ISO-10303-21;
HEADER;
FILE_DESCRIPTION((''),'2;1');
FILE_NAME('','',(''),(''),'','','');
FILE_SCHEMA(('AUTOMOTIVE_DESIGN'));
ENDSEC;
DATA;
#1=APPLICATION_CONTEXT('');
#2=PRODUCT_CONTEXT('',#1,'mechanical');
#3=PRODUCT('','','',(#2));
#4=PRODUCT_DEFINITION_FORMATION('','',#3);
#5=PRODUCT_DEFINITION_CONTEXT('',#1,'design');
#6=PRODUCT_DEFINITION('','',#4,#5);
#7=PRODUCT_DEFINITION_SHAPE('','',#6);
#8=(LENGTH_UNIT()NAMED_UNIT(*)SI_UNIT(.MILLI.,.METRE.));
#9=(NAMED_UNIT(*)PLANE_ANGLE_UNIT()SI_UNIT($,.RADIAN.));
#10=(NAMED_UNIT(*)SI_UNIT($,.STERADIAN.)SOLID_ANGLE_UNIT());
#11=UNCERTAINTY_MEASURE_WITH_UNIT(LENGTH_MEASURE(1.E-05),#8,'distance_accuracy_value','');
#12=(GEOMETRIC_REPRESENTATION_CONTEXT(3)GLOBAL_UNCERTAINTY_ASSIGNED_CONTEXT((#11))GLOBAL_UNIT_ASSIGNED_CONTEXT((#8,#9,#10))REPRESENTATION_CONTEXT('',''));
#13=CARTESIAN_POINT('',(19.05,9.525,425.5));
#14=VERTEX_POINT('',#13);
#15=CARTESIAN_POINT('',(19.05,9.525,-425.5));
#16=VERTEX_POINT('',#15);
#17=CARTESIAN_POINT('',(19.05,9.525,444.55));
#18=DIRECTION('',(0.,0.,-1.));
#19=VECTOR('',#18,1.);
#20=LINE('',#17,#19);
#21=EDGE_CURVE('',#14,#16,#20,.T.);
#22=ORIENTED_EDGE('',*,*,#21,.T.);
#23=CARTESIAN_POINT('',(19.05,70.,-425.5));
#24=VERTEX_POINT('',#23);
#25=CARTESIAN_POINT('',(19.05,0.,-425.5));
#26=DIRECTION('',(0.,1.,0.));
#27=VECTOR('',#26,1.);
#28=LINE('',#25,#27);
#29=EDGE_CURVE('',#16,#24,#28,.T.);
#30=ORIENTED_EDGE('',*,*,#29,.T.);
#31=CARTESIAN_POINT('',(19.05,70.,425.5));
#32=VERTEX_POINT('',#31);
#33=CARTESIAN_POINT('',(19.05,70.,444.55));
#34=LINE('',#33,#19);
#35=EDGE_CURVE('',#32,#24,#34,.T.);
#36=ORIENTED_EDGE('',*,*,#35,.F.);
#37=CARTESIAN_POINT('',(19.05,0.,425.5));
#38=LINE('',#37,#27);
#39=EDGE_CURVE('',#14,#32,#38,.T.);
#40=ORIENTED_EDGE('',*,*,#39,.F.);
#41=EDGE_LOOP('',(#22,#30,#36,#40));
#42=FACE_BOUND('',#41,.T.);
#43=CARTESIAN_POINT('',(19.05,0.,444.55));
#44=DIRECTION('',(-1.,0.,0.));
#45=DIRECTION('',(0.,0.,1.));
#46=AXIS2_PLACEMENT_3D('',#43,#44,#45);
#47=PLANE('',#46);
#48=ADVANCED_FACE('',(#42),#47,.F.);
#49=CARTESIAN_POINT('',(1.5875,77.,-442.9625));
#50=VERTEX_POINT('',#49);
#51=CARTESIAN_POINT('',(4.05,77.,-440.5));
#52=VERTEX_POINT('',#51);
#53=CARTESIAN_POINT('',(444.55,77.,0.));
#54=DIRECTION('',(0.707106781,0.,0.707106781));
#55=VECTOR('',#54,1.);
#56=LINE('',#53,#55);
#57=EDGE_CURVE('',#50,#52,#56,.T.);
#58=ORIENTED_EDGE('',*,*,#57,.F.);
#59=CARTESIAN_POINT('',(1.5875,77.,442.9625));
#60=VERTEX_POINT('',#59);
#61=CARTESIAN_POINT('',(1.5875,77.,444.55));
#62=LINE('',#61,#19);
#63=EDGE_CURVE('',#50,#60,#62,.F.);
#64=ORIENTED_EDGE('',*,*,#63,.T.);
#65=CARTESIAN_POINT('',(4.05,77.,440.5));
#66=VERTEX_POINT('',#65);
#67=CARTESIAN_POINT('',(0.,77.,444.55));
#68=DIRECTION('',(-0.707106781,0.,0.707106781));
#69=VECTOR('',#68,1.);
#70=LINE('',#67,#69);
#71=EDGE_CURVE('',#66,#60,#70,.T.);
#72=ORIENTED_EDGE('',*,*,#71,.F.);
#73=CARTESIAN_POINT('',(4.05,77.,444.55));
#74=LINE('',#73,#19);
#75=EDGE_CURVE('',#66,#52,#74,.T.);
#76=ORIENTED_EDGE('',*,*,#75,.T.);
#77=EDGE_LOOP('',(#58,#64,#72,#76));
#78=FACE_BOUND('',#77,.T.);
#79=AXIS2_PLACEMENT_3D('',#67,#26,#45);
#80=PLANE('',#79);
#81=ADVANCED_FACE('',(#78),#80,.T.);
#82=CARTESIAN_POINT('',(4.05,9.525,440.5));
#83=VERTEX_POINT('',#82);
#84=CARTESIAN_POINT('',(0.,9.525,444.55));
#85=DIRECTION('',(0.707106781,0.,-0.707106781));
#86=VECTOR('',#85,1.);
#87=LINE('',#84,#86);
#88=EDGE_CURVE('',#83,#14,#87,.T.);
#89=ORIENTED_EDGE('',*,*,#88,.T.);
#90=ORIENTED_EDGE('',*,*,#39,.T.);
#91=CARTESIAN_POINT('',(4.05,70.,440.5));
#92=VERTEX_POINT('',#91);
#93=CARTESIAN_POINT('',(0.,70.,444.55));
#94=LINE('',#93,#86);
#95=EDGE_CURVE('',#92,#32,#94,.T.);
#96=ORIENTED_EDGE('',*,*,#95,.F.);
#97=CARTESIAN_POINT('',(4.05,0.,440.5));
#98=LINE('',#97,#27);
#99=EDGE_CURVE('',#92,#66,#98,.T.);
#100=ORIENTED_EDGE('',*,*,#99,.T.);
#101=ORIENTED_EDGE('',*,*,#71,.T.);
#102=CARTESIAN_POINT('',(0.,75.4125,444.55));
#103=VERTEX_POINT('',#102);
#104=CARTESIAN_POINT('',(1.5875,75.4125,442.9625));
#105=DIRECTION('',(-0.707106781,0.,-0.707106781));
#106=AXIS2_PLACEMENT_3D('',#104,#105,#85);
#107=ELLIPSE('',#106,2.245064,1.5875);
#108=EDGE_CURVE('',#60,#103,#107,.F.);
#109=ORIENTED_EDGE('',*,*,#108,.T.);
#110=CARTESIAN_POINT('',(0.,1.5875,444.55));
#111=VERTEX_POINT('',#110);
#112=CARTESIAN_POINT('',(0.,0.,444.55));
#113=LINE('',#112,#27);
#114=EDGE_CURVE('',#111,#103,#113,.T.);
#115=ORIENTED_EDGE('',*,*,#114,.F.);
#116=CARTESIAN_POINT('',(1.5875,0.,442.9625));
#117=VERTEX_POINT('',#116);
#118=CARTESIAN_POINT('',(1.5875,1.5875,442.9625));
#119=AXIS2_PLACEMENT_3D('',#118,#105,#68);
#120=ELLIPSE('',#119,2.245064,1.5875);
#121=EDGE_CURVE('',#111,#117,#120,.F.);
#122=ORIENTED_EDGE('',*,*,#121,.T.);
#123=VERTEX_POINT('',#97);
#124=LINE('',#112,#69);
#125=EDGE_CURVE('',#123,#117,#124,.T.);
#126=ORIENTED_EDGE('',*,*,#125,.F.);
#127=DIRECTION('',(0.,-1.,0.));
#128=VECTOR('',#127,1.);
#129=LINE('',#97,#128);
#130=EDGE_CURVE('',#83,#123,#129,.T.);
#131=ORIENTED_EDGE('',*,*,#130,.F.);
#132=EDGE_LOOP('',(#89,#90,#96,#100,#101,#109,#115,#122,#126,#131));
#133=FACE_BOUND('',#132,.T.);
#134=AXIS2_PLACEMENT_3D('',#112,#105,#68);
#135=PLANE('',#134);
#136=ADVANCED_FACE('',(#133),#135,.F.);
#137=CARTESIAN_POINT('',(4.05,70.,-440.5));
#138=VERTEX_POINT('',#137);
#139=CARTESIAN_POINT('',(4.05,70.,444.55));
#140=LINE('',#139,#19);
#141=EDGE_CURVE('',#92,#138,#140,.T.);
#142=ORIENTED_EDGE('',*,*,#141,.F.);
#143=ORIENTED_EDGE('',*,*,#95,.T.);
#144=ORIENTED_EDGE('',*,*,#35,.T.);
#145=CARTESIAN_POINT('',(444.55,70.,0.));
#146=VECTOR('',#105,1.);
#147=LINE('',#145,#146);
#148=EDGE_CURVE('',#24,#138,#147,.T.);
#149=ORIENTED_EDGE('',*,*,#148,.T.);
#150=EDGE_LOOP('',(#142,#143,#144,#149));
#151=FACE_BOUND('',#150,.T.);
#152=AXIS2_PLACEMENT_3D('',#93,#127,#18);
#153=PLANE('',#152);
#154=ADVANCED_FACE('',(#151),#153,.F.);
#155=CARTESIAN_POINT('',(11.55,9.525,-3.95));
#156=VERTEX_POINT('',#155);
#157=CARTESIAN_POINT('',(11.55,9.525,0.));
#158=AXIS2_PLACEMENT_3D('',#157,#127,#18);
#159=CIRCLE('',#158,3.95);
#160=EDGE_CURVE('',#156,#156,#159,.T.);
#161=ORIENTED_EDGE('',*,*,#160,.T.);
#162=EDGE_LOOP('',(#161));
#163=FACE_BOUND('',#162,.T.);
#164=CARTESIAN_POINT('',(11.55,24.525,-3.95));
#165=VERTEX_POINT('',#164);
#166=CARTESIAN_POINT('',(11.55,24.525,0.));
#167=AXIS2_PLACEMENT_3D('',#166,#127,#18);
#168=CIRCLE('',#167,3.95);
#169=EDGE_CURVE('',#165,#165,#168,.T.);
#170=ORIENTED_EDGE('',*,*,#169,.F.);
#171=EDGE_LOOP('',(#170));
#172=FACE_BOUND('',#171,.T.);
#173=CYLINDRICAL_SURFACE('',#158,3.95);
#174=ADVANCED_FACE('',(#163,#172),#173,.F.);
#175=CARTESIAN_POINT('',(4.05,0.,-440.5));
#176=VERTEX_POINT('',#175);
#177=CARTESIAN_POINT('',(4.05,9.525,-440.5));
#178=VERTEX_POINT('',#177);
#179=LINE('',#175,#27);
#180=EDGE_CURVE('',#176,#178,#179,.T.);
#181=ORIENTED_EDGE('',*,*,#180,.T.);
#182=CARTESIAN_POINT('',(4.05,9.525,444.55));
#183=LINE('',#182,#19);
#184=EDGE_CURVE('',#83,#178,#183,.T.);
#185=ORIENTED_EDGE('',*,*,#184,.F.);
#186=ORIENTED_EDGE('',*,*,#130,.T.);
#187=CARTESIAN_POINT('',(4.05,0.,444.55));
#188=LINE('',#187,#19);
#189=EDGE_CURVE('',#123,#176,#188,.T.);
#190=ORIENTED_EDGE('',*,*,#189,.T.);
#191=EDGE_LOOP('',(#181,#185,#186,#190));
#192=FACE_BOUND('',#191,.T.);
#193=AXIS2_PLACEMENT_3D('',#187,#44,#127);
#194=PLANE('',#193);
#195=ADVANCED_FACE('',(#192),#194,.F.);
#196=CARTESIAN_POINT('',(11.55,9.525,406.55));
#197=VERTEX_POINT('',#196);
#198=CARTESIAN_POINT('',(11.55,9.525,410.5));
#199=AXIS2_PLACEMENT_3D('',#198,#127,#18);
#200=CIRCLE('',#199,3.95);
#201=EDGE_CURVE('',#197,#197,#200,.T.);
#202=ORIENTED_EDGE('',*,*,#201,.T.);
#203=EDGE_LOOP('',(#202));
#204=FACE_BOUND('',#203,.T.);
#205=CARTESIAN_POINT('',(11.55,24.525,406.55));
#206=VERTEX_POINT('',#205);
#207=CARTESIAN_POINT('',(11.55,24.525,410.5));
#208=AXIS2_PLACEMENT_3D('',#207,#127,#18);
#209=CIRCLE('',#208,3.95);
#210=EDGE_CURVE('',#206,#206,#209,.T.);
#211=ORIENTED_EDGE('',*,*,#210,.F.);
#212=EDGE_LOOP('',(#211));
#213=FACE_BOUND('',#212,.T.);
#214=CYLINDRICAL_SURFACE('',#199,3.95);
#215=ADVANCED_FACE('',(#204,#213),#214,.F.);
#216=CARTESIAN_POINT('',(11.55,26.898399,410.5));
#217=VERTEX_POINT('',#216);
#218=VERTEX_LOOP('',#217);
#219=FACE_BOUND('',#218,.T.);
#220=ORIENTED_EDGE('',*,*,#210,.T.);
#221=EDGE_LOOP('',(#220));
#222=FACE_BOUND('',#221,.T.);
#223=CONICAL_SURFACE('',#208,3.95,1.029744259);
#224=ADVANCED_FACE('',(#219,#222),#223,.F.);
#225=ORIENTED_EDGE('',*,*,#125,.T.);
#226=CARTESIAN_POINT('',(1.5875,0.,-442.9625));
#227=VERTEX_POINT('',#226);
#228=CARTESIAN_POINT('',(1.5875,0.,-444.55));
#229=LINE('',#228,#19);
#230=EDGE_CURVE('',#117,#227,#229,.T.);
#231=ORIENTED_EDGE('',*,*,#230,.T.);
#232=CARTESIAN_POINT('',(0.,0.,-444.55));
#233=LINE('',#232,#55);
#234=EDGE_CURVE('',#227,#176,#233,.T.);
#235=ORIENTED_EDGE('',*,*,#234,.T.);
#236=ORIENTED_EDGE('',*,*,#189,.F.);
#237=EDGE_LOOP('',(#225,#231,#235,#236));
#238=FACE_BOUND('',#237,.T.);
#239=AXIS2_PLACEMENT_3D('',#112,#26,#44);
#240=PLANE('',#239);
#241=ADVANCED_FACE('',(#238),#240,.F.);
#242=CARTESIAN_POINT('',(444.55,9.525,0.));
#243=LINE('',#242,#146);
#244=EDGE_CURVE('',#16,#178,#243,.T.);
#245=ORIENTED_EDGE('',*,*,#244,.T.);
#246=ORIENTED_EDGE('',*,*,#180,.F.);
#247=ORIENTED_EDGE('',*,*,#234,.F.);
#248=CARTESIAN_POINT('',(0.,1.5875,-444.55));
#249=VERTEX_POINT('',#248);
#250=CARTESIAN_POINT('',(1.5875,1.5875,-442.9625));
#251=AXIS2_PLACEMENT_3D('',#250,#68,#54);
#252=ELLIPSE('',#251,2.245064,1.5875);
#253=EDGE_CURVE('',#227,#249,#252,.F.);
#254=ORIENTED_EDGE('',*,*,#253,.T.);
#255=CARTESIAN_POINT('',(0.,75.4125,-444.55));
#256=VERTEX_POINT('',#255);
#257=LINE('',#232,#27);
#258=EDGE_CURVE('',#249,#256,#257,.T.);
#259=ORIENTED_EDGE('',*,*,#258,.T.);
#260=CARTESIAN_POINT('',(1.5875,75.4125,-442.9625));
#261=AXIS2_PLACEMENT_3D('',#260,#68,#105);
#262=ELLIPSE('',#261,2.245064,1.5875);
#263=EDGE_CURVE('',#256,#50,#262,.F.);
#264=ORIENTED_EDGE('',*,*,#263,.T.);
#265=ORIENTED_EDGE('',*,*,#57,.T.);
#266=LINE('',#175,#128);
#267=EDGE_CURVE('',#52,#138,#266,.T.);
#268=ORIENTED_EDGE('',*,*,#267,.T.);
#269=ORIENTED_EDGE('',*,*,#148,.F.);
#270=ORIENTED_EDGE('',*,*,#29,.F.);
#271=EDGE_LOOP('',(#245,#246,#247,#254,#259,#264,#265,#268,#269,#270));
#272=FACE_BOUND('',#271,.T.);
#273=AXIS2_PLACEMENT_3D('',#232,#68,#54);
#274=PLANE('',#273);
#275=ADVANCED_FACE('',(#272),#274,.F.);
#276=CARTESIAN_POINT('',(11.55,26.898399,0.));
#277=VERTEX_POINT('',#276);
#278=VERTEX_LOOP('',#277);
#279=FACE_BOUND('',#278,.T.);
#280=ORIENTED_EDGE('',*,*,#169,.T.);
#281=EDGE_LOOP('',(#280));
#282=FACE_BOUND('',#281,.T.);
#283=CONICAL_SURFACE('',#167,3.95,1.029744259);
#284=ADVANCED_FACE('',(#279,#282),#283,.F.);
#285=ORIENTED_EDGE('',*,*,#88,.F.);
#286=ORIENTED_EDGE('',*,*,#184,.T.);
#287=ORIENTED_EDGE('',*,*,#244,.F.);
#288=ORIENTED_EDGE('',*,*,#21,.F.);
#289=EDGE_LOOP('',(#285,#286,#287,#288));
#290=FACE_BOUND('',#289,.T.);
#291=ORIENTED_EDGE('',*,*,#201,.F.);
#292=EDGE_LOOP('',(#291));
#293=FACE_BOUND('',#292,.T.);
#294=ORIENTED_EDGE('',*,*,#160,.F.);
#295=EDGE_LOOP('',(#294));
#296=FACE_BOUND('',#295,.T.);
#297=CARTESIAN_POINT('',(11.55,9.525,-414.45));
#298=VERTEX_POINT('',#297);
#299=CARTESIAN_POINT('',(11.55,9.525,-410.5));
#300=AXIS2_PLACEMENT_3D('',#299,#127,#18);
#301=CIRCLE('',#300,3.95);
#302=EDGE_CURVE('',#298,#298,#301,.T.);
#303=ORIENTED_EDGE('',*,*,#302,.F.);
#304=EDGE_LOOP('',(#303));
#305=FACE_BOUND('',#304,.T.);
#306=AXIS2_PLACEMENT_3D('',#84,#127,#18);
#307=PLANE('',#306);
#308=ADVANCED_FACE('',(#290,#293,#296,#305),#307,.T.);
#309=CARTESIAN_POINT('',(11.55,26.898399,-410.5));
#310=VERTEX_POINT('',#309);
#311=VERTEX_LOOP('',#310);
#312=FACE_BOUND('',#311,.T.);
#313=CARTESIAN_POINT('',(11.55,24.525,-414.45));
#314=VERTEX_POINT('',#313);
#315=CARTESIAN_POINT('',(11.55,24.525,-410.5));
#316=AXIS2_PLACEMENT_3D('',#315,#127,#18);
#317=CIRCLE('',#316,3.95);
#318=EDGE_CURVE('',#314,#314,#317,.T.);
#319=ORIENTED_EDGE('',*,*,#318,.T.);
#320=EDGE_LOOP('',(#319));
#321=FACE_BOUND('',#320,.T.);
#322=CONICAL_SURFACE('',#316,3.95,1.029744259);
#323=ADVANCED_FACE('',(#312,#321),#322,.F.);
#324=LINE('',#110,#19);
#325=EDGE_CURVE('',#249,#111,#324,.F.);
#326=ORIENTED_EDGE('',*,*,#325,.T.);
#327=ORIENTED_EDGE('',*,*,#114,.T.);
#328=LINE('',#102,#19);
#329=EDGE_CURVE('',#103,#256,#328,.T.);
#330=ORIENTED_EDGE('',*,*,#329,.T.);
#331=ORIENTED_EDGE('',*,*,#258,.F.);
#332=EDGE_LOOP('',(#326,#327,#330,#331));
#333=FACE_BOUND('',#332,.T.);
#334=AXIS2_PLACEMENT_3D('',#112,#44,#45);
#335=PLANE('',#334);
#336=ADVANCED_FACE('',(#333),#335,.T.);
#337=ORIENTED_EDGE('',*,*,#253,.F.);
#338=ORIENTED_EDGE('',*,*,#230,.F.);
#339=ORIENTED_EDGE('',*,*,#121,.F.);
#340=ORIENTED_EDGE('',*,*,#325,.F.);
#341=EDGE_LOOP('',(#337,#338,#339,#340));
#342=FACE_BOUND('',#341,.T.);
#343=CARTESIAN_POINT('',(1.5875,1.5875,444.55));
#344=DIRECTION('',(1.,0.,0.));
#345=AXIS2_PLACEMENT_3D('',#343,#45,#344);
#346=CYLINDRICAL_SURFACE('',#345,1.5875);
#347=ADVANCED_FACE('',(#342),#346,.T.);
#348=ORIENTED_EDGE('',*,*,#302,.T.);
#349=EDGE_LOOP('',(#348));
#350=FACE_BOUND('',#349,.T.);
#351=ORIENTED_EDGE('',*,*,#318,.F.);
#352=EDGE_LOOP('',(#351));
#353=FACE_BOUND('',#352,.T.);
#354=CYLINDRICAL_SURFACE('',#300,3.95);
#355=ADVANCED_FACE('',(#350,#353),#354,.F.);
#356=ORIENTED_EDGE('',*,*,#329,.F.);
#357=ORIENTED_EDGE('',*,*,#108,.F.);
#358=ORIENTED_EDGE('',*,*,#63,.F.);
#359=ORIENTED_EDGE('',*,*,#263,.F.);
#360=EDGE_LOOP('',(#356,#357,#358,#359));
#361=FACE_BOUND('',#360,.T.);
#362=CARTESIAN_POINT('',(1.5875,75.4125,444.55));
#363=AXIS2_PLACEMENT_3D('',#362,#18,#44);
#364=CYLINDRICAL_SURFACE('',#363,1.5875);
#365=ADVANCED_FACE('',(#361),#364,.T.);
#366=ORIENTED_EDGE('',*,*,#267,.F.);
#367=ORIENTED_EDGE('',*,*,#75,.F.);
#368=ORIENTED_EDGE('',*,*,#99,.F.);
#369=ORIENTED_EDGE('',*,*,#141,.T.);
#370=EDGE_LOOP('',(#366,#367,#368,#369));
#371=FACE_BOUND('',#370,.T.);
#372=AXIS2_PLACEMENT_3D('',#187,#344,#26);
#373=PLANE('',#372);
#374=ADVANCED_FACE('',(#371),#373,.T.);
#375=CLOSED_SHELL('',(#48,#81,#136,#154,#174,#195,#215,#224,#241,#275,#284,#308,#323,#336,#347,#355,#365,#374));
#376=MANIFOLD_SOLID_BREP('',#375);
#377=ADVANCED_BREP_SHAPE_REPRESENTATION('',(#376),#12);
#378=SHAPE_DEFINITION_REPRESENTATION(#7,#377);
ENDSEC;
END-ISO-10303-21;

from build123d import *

# Parameters (mm, degrees)
BOSS_EXTRUDE1_DEPTH            = 444.55
FILLET1_R                      = 1.5875
CUT_EXTRUDE1_DEPTH             = 452.571262372
CUT_EXTRUDE1_DEPTH_BACK        = 452.571262372
F_7_9_7_9_DIAMETER_HOLE1_D     = 7.9
F_7_9_7_9_DIAMETER_HOLE1_DEPTH = 15
F_7_9_7_9_DIAMETER_HOLE1_TIP   = 2.373399445


with BuildPart() as part:
    # Sketch1 → Boss-Extrude1 (new, symmetric)
    with BuildSketch(Plane.XY):
        Polygon((0, 77), (0, 0), (4.05, 0), (4.05, 9.525), (19.05, 9.525), (19.05, 70), (4.05, 70), (4.05, 77), align=None)
    extrude(amount=BOSS_EXTRUDE1_DEPTH, both=True)

    # Fillet1
    fillet1_edges = [part.edges().sort_by_distance(p)[0] for p in [
        (0, 0, 0),
        (0, 77, 0),
    ]]
    fillet(fillet1_edges, radius=FILLET1_R)

    # Sketch2 → Cut-Extrude1 (cut, two sides: drawn at the far end of the back side and taken through both)
    with BuildSketch(Plane(origin=(0, 77, 0), x_dir=(1, 0, 0), z_dir=(0, 1, 0)).offset(-CUT_EXTRUDE1_DEPTH_BACK)):
        Polygon((0, -444.55), (19.05, -425.5), (19.05, -444.55), align=None)
        Polygon((0, 444.55), (19.05, 425.5), (19.05, 444.55), align=None)
    extrude(amount=CUT_EXTRUDE1_DEPTH + CUT_EXTRUDE1_DEPTH_BACK, mode=Mode.SUBTRACT)

    # Ø7.9 (7.9) Diameter Hole1
    with Locations(Plane(origin=(0, 9.525, 0), x_dir=(-1, 0, 0), z_dir=(0, -1, 0))):
        with Locations((-11.55, -410.5), (-11.55, 410.5), (-11.55, 0)):
            Hole(F_7_9_7_9_DIAMETER_HOLE1_D / 2, depth=F_7_9_7_9_DIAMETER_HOLE1_DEPTH)
            with Locations((0, 0, -(F_7_9_7_9_DIAMETER_HOLE1_DEPTH + F_7_9_7_9_DIAMETER_HOLE1_TIP / 2))):  # 118° drill point
                Cone(0, F_7_9_7_9_DIAMETER_HOLE1_D / 2, F_7_9_7_9_DIAMETER_HOLE1_TIP, mode=Mode.SUBTRACT)


solid = part.part
